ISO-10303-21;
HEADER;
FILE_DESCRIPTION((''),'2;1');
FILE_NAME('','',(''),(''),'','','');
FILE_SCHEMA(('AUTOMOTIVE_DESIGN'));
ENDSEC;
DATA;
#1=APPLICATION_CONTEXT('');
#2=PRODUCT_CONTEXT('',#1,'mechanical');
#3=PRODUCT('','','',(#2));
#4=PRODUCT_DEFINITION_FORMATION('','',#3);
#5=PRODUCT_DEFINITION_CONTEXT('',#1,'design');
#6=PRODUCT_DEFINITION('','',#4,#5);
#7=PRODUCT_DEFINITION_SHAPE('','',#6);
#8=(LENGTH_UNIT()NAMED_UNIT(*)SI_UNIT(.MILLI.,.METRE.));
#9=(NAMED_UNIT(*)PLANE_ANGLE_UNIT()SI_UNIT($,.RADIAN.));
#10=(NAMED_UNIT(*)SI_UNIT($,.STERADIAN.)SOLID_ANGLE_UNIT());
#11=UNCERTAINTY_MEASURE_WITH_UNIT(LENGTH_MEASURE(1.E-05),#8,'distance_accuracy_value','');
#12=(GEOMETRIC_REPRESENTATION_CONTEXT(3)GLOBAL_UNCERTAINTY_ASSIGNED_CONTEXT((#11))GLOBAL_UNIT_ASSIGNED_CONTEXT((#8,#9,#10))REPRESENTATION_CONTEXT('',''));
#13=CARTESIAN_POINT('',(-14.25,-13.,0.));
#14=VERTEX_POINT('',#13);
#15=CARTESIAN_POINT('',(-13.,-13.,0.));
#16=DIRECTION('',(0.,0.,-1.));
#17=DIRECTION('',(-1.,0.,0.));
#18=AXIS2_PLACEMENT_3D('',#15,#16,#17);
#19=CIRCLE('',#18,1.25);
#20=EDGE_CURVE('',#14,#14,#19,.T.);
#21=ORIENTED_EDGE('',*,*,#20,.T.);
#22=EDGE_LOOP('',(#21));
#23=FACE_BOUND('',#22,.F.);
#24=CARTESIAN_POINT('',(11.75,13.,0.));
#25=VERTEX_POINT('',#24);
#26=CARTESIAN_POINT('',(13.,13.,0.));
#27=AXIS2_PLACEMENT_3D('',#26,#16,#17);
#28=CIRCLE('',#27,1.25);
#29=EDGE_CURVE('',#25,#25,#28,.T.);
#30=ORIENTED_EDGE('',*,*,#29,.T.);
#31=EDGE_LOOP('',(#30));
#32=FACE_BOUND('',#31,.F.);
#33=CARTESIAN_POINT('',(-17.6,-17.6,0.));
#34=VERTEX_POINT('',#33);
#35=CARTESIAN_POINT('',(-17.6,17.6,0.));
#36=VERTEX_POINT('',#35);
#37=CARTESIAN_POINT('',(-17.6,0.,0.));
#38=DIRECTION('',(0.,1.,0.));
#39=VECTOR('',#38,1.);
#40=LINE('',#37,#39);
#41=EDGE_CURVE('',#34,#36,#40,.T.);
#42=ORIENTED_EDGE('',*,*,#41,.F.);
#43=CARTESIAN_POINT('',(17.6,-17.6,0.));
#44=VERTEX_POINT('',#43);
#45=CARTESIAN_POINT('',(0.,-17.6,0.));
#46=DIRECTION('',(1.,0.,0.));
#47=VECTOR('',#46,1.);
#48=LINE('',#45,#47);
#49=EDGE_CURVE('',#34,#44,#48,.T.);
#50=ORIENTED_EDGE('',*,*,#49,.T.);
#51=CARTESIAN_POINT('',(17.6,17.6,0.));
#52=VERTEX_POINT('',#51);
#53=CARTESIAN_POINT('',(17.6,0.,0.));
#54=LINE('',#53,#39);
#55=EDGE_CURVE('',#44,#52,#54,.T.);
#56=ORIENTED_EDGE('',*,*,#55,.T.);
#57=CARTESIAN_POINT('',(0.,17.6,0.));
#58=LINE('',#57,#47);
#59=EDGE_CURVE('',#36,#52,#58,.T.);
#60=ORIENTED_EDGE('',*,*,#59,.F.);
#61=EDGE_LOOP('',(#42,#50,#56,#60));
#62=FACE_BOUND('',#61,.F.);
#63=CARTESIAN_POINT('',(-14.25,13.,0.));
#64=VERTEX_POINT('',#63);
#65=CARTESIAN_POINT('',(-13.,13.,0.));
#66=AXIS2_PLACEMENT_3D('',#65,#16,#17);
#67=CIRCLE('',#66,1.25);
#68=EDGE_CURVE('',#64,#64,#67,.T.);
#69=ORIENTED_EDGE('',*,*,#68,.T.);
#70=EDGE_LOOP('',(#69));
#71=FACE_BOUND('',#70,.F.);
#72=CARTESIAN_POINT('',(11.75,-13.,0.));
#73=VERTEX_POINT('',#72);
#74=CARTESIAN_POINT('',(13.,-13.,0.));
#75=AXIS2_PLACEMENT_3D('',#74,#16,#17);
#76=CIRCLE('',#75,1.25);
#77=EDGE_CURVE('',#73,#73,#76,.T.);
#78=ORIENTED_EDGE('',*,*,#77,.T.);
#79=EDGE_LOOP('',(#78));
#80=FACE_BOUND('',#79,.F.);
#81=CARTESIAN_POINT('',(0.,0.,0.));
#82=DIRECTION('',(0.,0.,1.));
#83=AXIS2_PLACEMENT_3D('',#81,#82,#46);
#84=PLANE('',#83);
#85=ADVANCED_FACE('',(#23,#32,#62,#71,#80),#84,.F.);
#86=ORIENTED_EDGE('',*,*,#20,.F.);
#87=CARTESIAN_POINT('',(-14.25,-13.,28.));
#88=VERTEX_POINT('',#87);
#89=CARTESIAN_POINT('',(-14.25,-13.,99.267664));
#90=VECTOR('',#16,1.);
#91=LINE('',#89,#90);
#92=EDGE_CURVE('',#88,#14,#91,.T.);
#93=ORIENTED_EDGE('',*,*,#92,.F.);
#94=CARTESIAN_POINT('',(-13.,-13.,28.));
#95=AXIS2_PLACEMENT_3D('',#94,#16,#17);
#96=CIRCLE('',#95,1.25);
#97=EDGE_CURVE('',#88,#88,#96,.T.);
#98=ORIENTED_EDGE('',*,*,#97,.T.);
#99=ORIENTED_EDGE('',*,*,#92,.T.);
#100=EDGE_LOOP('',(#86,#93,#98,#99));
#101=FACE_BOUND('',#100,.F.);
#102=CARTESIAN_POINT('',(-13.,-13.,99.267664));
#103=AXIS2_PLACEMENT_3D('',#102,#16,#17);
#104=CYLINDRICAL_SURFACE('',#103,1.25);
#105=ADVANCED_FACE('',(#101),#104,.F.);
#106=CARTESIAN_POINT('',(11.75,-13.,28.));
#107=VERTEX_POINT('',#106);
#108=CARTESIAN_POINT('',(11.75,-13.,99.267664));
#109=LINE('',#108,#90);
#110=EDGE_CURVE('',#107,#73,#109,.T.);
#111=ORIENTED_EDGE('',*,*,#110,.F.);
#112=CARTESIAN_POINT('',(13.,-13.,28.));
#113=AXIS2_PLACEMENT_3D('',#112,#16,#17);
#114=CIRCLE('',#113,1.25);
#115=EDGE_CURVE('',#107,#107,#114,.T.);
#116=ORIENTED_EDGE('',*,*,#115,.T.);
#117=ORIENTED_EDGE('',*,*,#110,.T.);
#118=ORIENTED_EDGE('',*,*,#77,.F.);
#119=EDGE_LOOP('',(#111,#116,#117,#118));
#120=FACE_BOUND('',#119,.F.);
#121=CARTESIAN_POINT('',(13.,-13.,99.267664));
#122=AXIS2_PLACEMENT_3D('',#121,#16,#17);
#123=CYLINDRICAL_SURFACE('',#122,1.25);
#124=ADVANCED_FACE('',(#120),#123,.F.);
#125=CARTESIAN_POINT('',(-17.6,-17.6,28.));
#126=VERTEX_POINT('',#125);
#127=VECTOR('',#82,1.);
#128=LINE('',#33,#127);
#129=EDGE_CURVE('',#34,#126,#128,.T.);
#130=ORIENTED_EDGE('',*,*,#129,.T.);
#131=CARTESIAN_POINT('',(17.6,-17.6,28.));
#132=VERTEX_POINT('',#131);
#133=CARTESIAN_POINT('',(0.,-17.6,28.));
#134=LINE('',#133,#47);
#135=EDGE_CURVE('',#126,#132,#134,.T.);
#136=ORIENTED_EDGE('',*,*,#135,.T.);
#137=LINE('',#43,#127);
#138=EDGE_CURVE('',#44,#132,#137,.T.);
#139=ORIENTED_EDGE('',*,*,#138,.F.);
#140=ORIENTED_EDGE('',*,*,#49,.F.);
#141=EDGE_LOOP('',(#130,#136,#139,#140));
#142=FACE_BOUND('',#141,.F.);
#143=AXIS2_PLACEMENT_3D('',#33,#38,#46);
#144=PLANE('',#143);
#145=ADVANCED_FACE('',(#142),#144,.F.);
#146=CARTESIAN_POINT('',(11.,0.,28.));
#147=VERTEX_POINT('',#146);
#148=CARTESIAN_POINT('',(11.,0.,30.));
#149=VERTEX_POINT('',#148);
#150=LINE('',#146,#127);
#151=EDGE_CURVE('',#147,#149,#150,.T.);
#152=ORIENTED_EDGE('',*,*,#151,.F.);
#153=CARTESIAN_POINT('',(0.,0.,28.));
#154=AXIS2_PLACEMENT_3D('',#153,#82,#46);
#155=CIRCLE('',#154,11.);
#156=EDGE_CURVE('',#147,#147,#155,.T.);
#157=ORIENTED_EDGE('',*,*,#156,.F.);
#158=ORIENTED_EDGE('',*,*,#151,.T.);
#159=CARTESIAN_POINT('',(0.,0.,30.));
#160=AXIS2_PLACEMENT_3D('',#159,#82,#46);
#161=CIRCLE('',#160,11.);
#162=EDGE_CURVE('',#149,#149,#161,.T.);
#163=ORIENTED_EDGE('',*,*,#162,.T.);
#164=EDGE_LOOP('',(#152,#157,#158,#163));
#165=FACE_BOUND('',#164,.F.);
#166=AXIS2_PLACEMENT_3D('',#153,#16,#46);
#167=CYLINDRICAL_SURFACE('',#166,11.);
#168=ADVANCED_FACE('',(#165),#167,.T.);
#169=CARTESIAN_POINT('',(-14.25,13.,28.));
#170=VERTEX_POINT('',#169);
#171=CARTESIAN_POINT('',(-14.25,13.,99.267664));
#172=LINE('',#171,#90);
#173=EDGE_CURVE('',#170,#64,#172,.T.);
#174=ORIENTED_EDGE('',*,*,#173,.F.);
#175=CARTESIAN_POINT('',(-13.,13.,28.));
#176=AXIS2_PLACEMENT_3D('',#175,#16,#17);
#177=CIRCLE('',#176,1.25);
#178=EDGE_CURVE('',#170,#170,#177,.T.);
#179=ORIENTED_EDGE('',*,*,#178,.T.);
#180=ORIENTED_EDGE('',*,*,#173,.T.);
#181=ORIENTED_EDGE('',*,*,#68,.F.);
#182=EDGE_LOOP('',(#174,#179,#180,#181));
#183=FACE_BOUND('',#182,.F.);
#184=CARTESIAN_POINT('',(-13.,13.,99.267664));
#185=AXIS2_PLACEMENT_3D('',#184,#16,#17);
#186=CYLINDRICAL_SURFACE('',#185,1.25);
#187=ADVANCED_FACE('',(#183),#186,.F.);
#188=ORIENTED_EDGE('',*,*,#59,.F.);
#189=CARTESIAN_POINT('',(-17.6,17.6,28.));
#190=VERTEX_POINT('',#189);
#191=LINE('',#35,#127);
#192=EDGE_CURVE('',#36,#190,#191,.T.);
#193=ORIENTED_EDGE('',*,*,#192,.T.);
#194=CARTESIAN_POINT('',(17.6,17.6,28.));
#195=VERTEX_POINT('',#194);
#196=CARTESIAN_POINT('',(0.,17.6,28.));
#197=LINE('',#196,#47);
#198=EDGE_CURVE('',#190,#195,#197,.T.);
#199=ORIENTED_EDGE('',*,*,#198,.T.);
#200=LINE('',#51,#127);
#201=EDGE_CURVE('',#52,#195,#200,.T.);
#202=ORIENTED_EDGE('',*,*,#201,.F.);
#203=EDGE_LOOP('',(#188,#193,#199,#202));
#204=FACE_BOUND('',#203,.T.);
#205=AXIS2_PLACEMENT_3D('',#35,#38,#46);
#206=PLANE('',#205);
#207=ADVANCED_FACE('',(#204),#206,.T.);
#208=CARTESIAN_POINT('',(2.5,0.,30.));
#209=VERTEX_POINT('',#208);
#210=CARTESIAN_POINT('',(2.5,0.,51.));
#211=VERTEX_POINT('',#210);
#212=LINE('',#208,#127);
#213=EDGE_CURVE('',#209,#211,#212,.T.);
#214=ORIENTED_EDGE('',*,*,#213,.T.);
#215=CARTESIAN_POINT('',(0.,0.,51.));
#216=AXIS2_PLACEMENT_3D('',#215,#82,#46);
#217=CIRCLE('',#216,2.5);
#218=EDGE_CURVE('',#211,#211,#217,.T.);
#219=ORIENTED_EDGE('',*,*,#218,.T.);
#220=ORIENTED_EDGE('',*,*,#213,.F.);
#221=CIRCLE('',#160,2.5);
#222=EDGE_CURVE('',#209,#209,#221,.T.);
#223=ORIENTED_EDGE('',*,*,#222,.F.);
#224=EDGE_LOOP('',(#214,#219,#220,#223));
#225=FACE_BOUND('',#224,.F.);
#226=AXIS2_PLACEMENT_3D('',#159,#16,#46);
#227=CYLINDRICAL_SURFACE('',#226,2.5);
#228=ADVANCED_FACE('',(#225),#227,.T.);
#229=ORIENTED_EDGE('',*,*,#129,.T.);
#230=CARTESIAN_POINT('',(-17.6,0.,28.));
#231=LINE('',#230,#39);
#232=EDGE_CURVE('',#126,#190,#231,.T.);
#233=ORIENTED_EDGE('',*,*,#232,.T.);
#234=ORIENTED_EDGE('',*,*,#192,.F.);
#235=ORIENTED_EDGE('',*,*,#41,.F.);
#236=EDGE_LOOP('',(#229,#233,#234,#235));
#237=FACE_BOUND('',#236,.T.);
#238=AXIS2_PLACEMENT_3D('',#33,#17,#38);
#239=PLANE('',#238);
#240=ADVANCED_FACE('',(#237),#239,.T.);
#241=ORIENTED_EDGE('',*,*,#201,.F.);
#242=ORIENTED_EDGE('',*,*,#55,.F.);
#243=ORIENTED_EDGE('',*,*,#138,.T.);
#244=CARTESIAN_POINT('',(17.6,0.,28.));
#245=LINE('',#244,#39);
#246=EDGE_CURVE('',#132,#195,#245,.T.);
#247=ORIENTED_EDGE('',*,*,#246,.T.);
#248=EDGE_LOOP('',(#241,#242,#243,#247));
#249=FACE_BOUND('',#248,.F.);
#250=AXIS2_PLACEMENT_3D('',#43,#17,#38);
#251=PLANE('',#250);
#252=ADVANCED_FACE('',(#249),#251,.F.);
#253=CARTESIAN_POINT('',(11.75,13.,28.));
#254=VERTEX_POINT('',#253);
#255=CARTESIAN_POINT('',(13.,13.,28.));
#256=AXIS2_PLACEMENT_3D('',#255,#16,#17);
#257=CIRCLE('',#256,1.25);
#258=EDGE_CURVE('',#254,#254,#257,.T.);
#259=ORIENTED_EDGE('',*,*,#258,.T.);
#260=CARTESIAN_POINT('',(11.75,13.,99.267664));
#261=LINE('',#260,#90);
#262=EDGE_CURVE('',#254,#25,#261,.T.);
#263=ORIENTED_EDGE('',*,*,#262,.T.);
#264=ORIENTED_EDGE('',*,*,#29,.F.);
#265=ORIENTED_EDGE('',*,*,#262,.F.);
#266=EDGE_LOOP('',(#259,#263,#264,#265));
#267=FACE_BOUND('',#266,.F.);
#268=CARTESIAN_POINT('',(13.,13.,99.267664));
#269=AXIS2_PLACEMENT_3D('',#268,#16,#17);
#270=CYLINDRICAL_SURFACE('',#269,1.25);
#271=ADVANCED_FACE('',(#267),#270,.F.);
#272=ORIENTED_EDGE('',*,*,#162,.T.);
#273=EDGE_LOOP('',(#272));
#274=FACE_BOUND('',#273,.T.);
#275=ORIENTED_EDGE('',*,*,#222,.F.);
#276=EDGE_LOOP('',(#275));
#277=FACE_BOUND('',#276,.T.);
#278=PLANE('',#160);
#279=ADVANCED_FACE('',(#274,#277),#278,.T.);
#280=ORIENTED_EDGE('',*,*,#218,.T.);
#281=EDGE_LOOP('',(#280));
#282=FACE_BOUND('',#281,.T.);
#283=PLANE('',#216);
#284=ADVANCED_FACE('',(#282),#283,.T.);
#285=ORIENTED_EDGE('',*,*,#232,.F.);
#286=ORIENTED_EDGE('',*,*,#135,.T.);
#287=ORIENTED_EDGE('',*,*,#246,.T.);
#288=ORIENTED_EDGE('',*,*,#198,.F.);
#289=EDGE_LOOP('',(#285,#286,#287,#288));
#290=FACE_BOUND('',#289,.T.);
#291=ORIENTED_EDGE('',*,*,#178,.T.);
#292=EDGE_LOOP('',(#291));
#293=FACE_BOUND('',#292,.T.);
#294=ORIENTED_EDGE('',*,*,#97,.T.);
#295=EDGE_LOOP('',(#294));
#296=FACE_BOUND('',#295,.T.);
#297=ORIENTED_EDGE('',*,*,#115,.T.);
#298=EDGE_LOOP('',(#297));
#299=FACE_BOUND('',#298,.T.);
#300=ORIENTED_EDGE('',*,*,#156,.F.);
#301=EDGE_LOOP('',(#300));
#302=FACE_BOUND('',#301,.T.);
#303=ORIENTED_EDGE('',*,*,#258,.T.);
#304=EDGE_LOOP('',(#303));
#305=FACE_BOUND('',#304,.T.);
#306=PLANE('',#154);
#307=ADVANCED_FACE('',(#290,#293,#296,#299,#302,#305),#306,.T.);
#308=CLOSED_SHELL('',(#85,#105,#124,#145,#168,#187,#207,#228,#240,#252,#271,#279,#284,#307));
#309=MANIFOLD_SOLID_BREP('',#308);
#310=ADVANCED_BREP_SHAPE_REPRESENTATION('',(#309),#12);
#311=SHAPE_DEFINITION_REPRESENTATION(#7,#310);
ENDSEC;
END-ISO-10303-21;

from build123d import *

# Parameters (mm, degrees)
F0_W     = 35.2
F0_H     = 35.2
F1_DEPTH = 28
F2_R     = 11
F3_DEPTH = 2
F4_R     = 2.5
F5_DEPTH = 21
F7_D     = 2.5


with BuildPart() as f1:
    # F0 (on Top) → F1 (new body)
    with BuildSketch(Plane.XY):
        Rectangle(F0_W, F0_H)
    extrude(amount=F1_DEPTH)

    # F2 (on face) → F3 (join)
    with BuildSketch(Plane.XY.offset(28)):
        Circle(F2_R)
    extrude(amount=F3_DEPTH)

    # F4 (on face) → F5 (join)
    with BuildSketch(Plane.XY.offset(30)):
        Circle(F4_R)
    extrude(amount=F5_DEPTH)

    # F7 (through all)
    with Locations(Plane.XY.offset(28)):
        with Locations((13, 13), (13, -13), (-13, -13), (-13, 13)):
            Hole(F7_D / 2)


solid = f1.part
